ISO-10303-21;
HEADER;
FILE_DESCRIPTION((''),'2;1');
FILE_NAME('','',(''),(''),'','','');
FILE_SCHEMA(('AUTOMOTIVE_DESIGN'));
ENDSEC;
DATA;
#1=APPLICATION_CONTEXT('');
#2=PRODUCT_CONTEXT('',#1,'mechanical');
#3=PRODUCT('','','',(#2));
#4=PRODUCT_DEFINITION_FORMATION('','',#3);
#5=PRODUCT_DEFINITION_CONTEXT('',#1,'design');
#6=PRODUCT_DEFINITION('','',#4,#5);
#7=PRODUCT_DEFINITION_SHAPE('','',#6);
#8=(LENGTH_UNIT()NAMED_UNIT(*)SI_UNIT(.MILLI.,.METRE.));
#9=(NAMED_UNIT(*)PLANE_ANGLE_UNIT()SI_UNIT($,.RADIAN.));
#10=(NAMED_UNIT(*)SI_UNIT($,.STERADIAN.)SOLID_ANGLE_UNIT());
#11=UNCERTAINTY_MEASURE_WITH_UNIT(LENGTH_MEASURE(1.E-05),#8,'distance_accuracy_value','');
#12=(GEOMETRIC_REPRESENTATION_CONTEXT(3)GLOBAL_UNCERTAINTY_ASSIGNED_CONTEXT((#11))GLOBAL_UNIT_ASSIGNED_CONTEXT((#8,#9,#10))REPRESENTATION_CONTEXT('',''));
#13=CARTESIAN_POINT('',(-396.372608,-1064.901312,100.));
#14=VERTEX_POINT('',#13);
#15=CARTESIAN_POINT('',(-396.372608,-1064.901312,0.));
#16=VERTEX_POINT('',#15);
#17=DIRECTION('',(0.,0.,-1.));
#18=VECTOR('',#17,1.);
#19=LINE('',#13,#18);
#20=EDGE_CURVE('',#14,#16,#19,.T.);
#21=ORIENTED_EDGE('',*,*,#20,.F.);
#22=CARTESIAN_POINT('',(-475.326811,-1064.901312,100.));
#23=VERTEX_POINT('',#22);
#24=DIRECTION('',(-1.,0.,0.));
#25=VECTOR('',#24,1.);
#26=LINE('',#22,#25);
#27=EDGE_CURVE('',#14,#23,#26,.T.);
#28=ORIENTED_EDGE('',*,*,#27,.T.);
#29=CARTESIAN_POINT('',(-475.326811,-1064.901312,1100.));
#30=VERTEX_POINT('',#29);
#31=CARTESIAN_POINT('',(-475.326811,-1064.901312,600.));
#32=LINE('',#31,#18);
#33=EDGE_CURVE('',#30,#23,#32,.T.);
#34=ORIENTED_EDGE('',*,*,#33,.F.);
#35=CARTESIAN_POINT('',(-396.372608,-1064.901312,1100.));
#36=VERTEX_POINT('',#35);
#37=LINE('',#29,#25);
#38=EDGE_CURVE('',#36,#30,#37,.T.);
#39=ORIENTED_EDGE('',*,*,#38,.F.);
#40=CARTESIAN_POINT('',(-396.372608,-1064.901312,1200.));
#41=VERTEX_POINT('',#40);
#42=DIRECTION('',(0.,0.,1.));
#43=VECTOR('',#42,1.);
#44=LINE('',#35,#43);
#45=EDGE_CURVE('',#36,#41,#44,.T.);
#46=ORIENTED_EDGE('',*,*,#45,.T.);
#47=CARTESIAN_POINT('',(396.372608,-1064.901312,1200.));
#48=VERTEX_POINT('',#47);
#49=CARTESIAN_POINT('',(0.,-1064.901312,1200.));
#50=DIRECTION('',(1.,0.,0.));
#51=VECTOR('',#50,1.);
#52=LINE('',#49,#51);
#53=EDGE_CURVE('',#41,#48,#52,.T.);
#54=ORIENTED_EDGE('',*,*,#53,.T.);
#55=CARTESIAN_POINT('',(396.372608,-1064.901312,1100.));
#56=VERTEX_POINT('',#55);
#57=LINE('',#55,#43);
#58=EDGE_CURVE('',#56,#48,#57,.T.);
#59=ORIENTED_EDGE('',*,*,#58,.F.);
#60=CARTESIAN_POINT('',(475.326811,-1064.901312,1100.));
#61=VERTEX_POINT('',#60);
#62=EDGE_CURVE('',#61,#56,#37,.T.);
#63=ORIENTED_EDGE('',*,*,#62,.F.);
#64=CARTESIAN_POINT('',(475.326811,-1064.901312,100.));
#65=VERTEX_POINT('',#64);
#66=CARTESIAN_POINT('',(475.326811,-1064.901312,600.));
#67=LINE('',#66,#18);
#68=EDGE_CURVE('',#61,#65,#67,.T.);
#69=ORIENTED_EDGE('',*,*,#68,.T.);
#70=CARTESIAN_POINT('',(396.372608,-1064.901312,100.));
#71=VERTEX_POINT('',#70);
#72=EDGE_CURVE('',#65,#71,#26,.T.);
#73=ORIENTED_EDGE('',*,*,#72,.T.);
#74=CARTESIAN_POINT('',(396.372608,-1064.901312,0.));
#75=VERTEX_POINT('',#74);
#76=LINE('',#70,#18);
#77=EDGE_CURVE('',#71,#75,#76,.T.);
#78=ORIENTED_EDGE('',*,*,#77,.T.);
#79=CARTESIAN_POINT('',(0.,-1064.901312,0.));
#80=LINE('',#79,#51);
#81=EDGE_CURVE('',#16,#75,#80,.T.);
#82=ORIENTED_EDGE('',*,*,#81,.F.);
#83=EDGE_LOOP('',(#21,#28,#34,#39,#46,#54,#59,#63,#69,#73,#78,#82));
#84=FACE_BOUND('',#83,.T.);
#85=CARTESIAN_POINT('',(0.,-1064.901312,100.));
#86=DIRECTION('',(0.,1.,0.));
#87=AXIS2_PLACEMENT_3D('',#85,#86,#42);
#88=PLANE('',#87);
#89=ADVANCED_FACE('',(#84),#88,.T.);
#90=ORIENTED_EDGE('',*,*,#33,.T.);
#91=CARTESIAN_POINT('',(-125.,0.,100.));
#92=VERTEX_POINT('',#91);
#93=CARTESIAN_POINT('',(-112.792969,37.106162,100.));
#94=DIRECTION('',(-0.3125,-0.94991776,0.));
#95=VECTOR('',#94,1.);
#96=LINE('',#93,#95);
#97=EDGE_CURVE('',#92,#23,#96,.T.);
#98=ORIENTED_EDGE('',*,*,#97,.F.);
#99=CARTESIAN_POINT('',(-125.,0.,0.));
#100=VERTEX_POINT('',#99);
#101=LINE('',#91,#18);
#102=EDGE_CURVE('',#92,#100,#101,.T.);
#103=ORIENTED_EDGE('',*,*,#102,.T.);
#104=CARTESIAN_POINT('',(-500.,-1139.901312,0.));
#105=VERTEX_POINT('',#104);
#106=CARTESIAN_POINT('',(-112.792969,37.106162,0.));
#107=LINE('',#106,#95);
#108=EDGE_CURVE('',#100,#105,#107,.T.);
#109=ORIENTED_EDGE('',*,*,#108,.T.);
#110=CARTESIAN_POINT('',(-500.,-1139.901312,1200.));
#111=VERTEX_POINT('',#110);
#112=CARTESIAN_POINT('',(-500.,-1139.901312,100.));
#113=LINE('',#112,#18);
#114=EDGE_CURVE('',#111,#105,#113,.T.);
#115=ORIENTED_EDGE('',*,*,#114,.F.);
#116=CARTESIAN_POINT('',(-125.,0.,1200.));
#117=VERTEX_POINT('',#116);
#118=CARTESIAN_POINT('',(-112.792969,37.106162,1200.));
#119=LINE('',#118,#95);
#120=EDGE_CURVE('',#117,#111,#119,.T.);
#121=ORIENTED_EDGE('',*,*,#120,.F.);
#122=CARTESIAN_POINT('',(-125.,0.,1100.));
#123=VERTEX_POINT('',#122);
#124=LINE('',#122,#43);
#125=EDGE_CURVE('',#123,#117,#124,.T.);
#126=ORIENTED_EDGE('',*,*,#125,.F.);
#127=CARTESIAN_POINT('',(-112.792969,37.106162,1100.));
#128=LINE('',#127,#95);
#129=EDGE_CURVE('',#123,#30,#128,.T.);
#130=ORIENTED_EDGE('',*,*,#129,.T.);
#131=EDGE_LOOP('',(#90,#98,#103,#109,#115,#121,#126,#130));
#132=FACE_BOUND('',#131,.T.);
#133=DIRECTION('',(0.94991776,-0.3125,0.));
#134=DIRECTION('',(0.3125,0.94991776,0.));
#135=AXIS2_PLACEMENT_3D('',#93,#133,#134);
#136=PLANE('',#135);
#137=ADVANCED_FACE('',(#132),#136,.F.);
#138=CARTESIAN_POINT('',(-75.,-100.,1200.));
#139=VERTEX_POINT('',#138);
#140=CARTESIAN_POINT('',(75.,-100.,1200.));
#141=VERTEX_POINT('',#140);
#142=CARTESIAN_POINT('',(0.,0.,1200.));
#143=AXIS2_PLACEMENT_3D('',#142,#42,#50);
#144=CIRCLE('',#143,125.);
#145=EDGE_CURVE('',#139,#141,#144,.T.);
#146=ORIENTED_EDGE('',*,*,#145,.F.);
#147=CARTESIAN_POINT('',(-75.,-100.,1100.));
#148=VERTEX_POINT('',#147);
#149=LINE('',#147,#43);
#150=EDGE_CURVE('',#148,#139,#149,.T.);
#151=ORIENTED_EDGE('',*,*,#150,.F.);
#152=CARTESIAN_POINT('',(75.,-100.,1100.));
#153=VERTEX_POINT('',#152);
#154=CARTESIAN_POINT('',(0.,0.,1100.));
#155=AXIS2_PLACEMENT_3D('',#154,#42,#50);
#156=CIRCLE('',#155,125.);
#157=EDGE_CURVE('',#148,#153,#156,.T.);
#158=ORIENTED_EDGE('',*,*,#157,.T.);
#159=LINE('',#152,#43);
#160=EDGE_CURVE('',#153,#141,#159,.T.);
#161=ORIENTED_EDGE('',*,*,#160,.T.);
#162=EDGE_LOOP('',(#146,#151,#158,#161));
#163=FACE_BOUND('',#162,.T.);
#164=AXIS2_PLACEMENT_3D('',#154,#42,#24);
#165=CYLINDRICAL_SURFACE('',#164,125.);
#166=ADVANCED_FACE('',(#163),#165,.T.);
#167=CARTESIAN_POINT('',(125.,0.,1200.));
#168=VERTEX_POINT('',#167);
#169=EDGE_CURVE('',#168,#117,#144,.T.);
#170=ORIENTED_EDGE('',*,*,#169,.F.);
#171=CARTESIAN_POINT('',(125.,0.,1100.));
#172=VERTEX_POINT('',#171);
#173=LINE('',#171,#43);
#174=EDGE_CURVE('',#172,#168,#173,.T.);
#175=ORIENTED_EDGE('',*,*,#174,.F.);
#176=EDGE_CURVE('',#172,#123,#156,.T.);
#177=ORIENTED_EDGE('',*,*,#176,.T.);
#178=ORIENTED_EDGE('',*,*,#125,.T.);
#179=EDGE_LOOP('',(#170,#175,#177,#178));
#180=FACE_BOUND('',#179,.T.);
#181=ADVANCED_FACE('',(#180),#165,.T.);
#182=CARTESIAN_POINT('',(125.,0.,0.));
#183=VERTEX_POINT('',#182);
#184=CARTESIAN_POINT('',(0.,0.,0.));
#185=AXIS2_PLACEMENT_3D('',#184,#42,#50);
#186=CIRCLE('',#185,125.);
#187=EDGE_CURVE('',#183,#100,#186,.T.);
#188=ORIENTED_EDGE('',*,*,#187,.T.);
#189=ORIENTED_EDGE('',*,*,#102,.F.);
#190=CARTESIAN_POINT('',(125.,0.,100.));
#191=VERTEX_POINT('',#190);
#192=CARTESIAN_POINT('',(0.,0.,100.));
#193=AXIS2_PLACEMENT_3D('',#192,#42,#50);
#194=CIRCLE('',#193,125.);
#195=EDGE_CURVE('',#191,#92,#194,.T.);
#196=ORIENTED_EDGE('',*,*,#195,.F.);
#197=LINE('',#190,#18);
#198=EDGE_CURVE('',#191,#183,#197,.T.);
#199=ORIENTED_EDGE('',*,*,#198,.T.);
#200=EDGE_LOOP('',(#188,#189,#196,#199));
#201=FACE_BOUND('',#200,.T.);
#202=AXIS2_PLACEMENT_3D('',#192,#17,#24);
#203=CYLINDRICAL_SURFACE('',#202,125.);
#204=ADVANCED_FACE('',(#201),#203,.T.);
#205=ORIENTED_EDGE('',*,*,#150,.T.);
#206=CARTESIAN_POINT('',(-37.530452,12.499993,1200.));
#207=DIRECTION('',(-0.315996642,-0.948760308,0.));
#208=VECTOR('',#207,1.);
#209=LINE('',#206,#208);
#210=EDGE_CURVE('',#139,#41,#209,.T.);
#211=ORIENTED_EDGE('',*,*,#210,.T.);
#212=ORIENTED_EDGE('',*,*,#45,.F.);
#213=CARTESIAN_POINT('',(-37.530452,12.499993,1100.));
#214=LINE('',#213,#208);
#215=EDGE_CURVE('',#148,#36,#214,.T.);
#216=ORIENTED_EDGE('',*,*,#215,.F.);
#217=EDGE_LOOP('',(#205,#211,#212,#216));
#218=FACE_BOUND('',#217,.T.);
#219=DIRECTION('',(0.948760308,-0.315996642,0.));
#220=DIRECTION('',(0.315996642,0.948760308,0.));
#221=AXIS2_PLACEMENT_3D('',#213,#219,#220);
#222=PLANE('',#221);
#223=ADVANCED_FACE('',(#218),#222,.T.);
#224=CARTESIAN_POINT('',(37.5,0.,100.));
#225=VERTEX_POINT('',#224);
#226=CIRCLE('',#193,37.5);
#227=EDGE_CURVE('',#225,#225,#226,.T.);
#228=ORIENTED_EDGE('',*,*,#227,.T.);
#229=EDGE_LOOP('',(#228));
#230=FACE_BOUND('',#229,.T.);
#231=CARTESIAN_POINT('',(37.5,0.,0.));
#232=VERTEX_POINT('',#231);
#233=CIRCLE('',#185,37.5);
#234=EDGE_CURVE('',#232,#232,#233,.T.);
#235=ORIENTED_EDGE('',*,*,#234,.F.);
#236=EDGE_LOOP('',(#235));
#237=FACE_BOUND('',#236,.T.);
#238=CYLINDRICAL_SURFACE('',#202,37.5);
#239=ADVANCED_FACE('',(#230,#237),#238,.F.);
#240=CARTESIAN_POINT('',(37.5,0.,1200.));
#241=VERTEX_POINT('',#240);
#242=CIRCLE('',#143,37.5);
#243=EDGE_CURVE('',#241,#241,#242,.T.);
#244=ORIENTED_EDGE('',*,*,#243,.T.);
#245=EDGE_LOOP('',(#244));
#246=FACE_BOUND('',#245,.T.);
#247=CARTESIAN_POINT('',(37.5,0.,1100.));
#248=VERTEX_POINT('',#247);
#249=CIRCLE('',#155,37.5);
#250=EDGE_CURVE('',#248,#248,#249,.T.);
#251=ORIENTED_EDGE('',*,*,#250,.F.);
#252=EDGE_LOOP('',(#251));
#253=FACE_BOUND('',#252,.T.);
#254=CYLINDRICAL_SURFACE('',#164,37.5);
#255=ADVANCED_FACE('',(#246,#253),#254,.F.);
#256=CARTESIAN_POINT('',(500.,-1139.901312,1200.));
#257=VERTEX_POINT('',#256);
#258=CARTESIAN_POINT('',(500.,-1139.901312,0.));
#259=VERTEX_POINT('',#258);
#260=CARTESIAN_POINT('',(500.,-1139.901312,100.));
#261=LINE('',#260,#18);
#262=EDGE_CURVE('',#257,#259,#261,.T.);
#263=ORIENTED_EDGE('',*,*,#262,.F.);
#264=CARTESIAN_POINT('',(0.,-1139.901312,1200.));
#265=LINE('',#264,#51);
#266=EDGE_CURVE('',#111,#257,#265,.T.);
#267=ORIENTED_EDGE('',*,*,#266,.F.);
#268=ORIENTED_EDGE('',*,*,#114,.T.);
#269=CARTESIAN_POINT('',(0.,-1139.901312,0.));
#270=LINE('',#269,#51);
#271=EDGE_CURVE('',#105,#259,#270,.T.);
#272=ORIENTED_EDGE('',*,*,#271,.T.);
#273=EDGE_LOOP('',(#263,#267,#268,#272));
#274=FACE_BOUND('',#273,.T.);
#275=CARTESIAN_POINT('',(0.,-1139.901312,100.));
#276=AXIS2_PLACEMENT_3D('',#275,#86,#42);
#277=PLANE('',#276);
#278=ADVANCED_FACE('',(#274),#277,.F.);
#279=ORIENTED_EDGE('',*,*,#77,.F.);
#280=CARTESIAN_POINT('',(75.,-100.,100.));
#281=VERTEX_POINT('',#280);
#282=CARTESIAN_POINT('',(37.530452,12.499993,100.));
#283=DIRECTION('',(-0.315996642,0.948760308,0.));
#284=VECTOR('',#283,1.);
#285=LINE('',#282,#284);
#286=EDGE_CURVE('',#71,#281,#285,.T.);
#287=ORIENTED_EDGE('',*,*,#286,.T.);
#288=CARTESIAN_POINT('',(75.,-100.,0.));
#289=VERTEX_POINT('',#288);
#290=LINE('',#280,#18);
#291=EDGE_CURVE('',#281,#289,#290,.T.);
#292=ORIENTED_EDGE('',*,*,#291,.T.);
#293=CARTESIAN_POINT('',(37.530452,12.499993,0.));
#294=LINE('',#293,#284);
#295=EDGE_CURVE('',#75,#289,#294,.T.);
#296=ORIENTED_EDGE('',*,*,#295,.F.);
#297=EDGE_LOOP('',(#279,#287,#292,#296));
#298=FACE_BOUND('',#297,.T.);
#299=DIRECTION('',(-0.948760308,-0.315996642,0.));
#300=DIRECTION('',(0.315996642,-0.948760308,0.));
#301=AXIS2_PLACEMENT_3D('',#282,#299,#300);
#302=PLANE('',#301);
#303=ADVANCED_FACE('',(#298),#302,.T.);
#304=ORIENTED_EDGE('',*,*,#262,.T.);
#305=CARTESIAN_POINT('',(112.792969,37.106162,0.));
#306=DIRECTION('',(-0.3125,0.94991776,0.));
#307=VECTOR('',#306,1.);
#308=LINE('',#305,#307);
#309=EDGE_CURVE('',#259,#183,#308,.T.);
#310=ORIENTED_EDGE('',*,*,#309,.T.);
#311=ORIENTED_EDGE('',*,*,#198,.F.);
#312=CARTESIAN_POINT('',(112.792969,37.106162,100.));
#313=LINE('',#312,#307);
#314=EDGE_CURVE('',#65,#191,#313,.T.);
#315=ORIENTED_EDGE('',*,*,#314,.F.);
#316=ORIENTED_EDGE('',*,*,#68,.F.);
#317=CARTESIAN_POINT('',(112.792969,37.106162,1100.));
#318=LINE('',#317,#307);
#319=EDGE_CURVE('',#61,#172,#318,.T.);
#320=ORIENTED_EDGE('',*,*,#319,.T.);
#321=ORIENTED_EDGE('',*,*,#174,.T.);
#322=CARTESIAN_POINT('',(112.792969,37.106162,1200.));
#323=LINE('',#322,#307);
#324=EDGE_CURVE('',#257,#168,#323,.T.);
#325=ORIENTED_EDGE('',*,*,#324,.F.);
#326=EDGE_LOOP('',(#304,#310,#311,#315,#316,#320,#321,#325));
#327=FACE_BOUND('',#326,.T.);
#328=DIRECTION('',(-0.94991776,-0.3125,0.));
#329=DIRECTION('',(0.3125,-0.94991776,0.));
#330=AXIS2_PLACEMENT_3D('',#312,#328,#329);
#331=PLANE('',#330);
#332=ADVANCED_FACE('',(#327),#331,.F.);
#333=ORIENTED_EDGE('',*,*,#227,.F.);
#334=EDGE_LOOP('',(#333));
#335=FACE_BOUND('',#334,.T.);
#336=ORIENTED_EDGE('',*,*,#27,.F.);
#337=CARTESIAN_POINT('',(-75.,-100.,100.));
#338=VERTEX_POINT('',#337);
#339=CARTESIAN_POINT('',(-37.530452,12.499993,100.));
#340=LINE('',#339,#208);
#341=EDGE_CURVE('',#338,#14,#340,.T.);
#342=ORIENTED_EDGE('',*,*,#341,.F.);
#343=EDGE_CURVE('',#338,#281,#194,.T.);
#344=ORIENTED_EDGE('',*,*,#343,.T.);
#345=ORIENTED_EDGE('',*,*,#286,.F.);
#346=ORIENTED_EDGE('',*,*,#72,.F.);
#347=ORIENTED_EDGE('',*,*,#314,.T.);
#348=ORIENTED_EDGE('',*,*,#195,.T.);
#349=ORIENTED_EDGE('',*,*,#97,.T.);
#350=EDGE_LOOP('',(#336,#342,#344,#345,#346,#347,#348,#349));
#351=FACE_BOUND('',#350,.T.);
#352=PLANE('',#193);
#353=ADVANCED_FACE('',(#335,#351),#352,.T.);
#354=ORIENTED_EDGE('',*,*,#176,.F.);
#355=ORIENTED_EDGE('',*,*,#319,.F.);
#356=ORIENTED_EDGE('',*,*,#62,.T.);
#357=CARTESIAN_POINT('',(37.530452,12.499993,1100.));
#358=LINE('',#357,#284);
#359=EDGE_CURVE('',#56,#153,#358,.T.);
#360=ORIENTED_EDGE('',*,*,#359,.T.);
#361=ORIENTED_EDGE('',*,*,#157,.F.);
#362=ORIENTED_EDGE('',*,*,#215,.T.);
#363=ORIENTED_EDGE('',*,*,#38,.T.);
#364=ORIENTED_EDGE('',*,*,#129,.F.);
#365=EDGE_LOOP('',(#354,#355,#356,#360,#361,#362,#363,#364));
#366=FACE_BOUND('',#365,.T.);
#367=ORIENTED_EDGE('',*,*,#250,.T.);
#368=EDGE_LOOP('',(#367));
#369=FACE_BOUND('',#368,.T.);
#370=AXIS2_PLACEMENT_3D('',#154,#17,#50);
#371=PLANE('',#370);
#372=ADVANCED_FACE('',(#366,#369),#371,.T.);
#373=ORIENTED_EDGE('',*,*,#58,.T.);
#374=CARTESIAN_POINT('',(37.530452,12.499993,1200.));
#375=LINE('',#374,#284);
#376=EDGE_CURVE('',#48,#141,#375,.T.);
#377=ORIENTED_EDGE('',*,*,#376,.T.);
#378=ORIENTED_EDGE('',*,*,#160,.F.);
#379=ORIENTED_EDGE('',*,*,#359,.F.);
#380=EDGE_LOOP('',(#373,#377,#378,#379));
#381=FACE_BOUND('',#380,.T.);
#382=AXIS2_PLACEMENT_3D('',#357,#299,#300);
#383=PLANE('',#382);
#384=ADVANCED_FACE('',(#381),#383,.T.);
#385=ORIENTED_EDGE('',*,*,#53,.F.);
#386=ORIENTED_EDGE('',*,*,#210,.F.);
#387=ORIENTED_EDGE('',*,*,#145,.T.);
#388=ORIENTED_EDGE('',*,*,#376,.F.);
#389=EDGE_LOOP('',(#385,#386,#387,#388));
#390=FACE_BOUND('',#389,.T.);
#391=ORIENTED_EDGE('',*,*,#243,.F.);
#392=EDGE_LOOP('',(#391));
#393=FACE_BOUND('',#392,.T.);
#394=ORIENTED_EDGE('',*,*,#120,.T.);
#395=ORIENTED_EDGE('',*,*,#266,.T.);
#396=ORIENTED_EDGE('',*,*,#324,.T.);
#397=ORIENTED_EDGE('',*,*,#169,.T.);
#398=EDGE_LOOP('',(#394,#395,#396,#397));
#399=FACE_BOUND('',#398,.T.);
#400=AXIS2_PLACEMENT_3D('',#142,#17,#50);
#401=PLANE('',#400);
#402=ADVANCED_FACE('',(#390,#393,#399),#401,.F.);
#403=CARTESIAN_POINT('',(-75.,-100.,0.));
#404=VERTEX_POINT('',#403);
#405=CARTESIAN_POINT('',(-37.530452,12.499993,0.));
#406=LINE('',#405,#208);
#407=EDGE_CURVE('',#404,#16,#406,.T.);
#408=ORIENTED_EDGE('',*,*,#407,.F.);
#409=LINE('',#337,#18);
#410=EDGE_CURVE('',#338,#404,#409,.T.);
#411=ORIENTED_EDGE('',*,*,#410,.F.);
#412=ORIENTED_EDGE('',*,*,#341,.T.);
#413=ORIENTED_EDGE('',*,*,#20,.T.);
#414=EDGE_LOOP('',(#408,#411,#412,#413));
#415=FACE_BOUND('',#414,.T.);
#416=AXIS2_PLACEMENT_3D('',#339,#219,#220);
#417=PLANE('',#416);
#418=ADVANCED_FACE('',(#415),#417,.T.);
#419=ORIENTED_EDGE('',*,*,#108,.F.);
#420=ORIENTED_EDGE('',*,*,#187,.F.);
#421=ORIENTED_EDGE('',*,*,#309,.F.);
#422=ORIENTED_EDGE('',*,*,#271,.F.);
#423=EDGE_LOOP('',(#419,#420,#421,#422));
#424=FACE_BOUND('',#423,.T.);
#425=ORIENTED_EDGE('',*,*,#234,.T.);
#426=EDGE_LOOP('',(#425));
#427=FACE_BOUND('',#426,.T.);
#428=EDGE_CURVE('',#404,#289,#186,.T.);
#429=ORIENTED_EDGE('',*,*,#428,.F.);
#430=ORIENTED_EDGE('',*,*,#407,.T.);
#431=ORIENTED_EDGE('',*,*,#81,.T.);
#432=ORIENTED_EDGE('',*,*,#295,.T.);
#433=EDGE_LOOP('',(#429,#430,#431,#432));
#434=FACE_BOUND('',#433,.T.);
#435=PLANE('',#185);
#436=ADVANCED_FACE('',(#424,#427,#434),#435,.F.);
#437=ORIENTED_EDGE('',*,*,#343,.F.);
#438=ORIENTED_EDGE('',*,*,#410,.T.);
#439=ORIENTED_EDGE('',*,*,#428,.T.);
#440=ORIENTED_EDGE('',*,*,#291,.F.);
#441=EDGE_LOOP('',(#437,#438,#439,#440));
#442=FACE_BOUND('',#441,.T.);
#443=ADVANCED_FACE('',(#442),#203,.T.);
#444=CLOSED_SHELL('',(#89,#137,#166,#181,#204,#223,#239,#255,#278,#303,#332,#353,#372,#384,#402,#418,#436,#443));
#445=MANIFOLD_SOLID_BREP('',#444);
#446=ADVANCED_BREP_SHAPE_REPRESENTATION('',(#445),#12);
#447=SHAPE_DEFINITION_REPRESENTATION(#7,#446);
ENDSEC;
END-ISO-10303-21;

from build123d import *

# Parameters (mm, degrees)
SKETCH1_R           = 125
SKETCH1_R_2         = 37.5
BOSS_EXTRUDE1_DEPTH = 100
BOSS_EXTRUDE3_DEPTH = 500


with BuildPart() as part:
    # Sketch1 → Boss-Extrude1 (new body)
    # profile 1 of 2: a face of its own
    with BuildSketch(Plane.XY):
        with BuildLine():
            ThreePointArc((-75, -100), (-111.803398875, -55.901699437), (-125, 0))
            Line((-125, 0), (-500, -1139.901311518))
            Line((-500, -1139.901311518), (500, -1139.901311518))
            Line((500, -1139.901311518), (125, 0))
            ThreePointArc((125, 0), (111.803398875, -55.901699437), (75, -100))
            Line((75, -100), (396.372608044, -1064.901311518))
            Line((396.372608044, -1064.901311518), (-396.372608044, -1064.901311518))
            Line((-396.372608044, -1064.901311518), (-75, -100))
        make_face()
    # profile 2 of 2: a face of its own
    with BuildSketch(Plane.XY):
        Circle(SKETCH1_R)
        Circle(SKETCH1_R_2, mode=Mode.SUBTRACT)
    extrude(amount=BOSS_EXTRUDE1_DEPTH)

    # Sketch3 → Boss-Extrude3 (add)
    with BuildSketch(Plane.XY.offset(100)):
        Polygon((-500, -1139.901311518), (-475.326811439, -1064.901311518), (475.326811439, -1064.901311518), (500, -1139.901311518), align=None)
    extrude(amount=BOSS_EXTRUDE3_DEPTH)

    # Mirror2: part across plane


with BuildPart() as part_1:
    add(part.part)
    add(part.part.mirror(Plane.XY.offset(600)))


solid = part_1.part
